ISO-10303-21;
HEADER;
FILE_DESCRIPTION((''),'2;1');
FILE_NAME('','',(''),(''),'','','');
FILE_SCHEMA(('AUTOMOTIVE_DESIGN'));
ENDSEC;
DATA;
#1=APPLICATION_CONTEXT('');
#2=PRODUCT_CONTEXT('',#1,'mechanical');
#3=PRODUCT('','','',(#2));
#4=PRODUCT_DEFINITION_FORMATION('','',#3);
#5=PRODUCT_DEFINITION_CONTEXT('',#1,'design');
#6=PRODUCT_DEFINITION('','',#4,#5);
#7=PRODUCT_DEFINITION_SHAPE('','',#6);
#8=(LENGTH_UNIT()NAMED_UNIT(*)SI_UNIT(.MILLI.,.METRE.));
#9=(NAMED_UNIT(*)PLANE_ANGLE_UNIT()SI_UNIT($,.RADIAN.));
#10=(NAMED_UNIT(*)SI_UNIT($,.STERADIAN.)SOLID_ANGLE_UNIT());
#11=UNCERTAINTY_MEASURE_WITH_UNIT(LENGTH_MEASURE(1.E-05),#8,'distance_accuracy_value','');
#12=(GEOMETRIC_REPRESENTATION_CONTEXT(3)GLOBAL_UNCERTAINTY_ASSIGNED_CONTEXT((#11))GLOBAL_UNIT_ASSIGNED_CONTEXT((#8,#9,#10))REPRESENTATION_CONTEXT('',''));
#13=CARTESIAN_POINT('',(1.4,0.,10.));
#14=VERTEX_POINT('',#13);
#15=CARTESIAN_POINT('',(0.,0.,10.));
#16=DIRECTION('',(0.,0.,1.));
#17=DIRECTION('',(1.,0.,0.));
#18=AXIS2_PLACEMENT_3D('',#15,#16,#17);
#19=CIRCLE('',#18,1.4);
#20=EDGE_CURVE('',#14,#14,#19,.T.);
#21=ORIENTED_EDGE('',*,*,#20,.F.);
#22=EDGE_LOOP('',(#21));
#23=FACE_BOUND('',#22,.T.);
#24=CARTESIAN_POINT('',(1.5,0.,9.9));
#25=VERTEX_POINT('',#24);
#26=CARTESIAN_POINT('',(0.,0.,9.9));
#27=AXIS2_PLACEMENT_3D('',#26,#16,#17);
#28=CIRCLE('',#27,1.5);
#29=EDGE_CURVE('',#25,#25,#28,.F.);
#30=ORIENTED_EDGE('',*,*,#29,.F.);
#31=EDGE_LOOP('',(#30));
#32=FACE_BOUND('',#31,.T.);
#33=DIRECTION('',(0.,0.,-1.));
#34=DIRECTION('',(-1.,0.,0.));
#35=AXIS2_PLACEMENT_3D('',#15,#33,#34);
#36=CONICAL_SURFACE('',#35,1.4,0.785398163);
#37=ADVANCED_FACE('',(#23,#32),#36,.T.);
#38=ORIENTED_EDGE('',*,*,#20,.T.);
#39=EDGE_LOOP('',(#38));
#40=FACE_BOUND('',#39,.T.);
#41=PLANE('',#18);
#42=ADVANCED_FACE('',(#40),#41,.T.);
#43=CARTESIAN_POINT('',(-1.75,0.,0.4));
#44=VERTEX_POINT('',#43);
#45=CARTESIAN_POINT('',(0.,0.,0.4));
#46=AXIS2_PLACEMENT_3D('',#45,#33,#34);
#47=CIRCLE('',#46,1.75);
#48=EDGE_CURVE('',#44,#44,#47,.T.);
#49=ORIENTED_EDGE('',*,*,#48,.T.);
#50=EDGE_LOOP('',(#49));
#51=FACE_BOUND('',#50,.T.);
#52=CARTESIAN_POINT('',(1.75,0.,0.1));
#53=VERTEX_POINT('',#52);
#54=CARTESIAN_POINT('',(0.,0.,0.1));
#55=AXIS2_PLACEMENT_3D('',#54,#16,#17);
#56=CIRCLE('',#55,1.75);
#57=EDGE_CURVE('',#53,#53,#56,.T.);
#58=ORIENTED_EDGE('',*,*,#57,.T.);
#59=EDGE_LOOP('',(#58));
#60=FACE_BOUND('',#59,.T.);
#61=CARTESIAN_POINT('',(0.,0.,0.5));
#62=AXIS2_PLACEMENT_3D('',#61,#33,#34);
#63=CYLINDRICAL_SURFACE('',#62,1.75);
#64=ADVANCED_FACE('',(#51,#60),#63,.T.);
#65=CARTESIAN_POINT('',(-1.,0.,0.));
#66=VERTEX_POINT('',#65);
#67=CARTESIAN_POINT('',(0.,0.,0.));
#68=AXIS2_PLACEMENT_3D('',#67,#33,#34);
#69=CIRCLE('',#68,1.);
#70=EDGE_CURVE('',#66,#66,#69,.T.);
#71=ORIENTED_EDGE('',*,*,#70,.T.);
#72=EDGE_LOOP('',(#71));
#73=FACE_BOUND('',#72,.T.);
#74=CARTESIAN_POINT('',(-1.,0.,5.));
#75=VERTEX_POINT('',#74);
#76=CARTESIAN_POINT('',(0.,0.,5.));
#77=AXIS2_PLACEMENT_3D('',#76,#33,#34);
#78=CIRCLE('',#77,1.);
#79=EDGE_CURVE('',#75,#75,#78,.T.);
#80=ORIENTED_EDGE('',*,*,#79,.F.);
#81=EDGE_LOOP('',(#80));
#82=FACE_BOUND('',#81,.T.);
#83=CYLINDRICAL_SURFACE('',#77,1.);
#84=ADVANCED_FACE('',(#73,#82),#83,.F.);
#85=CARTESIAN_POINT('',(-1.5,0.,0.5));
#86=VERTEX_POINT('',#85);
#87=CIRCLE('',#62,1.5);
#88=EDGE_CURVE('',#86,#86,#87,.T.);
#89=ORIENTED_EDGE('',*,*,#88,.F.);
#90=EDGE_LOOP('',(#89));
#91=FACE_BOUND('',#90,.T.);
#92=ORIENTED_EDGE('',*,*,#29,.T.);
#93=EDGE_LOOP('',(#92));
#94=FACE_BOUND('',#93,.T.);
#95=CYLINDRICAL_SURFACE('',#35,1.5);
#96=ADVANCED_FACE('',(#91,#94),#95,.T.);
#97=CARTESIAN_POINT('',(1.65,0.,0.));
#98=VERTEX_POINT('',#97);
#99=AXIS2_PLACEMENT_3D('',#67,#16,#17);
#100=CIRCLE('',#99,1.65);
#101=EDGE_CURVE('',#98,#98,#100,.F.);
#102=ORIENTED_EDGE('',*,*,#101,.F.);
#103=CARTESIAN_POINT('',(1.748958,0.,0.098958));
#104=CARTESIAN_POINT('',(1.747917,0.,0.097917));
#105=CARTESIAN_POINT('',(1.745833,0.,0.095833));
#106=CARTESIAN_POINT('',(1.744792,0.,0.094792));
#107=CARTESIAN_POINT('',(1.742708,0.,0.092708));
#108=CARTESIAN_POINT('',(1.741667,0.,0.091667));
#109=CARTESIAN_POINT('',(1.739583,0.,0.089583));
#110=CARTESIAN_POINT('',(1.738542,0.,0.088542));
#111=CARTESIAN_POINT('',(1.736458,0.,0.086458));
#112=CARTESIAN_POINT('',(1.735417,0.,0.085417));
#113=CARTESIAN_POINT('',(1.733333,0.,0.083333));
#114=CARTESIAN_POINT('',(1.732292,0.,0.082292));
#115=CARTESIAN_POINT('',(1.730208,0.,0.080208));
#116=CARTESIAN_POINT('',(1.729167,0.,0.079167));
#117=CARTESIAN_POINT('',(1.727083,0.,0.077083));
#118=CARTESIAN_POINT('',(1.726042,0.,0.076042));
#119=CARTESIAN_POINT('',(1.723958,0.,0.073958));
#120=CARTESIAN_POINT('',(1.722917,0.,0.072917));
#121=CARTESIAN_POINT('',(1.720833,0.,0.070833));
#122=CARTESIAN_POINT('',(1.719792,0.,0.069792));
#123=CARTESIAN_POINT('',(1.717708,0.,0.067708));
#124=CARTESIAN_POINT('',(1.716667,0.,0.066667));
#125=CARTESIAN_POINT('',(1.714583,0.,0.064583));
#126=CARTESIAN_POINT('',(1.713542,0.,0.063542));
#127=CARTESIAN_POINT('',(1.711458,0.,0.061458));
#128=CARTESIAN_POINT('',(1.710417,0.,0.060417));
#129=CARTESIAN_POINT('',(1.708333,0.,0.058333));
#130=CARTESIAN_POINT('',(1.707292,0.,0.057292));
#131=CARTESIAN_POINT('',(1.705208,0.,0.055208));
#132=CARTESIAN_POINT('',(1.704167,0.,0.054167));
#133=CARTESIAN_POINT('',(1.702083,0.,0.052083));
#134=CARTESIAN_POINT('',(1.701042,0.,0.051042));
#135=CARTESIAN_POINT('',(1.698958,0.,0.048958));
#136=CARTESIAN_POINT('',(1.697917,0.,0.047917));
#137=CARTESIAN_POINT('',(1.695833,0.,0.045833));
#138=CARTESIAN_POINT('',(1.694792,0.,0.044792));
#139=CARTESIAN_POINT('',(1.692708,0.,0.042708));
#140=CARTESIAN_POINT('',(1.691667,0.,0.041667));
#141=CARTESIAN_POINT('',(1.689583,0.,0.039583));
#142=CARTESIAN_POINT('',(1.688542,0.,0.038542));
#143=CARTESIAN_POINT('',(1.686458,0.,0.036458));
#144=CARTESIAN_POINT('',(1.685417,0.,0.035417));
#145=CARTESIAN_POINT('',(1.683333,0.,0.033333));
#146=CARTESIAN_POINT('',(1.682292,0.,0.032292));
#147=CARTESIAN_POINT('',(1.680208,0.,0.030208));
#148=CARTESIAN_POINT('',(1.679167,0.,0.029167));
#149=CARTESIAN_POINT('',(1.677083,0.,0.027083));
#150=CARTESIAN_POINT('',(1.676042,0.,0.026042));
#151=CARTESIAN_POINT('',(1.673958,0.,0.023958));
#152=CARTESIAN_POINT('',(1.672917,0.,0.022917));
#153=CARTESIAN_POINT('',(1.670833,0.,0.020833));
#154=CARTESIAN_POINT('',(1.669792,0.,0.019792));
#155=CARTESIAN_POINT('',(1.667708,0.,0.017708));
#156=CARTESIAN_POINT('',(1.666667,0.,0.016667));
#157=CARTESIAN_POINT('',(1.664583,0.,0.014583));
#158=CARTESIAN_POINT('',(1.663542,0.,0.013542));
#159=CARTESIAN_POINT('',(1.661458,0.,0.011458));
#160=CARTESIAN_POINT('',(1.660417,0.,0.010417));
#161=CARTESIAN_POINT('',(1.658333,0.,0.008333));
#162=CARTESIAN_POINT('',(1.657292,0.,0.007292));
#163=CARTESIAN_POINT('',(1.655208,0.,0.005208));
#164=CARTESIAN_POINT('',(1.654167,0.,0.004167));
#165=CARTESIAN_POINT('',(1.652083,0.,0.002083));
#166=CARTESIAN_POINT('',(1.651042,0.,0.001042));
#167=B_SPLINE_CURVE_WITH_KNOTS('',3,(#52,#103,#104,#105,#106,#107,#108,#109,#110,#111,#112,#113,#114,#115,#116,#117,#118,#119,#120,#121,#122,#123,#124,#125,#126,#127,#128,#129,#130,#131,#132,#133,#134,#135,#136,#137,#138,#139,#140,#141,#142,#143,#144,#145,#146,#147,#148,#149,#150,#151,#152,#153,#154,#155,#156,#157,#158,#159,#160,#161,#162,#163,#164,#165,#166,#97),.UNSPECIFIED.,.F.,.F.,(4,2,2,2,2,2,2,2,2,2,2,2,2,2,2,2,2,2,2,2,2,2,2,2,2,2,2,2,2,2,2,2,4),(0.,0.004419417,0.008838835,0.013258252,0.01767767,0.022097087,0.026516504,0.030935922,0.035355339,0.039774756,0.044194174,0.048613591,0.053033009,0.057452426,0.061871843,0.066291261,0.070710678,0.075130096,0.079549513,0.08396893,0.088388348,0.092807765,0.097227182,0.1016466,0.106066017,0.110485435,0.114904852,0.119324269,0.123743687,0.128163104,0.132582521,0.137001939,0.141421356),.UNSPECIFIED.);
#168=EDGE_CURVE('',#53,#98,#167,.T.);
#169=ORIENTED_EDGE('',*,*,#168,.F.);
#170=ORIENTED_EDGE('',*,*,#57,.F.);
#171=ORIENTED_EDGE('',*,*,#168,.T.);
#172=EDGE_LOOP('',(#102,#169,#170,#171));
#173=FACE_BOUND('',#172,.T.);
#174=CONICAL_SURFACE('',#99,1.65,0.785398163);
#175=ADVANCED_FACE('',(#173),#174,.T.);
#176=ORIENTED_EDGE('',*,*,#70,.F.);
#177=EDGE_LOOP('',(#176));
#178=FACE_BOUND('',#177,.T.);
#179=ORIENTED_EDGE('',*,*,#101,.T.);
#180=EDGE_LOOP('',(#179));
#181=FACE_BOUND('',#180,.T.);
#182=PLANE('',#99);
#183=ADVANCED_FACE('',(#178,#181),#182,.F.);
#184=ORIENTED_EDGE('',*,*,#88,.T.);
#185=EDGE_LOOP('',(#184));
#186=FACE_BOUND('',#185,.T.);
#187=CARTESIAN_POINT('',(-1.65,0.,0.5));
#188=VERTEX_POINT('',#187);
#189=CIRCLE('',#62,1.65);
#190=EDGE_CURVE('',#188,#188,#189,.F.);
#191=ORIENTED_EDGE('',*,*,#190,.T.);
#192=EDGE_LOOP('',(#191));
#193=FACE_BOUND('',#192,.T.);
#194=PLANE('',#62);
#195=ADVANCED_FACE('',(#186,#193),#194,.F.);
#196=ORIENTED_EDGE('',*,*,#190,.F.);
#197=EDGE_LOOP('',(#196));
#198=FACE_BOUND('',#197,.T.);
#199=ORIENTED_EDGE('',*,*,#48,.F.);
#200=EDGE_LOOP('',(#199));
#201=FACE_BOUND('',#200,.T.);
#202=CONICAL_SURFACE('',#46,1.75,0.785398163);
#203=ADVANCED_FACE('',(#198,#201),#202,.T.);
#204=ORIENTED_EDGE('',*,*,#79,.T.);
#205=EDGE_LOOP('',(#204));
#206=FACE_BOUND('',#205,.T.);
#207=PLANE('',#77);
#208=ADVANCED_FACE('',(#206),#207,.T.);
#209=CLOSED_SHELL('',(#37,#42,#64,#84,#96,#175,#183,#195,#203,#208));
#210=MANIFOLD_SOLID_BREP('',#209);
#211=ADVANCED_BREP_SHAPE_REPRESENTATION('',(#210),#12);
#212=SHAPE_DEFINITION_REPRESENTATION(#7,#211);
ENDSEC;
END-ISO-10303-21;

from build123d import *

# Parameters (mm, degrees)
SKETCH_1_R          = 1.5
EXTRUDE_1_DEPTH     = 10
SKETCH_2_R          = 1.75
EXTRUDE_2_DEPTH     = 0.5
CHAMFER_1_SIZE      = 0.1
SKETCH_3_R          = 1
CUT_EXTRUDE_1_DEPTH = 5


with BuildPart() as part:
    # 草图1 → 凸台-拉伸1 (new body)
    with BuildSketch(Plane.XY):
        Circle(SKETCH_1_R)
    extrude(amount=EXTRUDE_1_DEPTH)

    # 草图2 → 凸台-拉伸2 (add)
    with BuildSketch(Plane(origin=(0, 0, 0), x_dir=(-1, 0, 0), z_dir=(0, 0, -1))):
        Circle(SKETCH_2_R)
    extrude(amount=-EXTRUDE_2_DEPTH)

    # 倒角1
    chamfer_1_edges = [part.edges().sort_by_distance(p)[0] for p in [
        (-1.5, 0, 10),
        (1.75, 0, 0.5),
        (1.75, 0, 0),
    ]]
    chamfer(chamfer_1_edges, length=CHAMFER_1_SIZE)

    # 草图3 → 切除-拉伸1 (cut)
    with BuildSketch(Plane(origin=(0, 0, 0), x_dir=(-1, 0, 0), z_dir=(0, 0, -1))):
        Circle(SKETCH_3_R)
    extrude(amount=-CUT_EXTRUDE_1_DEPTH, mode=Mode.SUBTRACT)


solid = part.part
